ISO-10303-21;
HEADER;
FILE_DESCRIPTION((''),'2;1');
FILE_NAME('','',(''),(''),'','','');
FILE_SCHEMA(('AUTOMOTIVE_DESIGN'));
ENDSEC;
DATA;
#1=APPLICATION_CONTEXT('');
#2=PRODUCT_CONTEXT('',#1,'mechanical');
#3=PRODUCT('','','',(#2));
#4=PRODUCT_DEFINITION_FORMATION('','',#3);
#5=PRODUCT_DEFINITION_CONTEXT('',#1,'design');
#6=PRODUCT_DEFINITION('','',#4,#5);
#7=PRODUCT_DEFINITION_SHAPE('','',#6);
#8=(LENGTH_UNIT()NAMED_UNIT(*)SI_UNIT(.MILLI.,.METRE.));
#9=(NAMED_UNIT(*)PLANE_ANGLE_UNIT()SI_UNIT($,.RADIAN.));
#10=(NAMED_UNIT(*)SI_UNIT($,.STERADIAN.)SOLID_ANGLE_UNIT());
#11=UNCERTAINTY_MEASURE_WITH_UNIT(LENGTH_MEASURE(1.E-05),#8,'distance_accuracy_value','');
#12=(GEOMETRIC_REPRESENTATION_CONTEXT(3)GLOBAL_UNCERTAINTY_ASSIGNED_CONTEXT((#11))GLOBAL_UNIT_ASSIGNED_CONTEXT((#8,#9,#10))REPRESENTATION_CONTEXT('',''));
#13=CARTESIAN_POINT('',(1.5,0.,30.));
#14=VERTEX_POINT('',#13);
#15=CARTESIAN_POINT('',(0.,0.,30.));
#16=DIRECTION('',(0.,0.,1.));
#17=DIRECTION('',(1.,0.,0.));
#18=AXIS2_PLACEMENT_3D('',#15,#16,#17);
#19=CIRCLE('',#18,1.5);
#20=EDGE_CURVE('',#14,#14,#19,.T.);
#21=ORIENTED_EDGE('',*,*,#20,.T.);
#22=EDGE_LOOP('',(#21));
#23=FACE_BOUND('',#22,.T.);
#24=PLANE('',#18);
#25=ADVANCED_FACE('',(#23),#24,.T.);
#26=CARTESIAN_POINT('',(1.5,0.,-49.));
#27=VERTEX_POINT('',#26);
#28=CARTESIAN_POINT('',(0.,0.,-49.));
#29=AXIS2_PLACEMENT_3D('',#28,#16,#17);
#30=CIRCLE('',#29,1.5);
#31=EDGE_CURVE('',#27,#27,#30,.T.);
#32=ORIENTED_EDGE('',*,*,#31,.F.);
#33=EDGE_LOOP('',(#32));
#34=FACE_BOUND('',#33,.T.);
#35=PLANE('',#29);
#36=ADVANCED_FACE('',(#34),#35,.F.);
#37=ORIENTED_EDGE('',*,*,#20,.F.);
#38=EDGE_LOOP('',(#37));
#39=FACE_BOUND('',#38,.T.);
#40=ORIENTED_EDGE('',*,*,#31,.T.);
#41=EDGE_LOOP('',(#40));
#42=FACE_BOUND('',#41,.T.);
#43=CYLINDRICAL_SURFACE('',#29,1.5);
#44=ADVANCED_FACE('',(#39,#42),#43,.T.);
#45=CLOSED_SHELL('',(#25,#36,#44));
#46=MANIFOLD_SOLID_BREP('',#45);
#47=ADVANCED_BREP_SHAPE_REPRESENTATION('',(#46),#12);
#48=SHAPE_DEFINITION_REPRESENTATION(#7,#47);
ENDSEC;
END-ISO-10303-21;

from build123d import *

# Parameters (mm, degrees)
AUFSATZ_LINEAR_AUSTRAGEN1_DEPTH      = 30
AUFSATZ_LINEAR_AUSTRAGEN1_DEPTH_BACK = 49
SKIZZE1_R                            = 1.5


with BuildPart() as part:
    # Skizze1 → Aufsatz-Linear austragen1 (new, two sides: drawn at the far end of the back side and taken through both)
    with BuildSketch(Plane.XY.offset(-AUFSATZ_LINEAR_AUSTRAGEN1_DEPTH_BACK)):
        Circle(SKIZZE1_R)
    extrude(amount=AUFSATZ_LINEAR_AUSTRAGEN1_DEPTH + AUFSATZ_LINEAR_AUSTRAGEN1_DEPTH_BACK)


solid = part.part
